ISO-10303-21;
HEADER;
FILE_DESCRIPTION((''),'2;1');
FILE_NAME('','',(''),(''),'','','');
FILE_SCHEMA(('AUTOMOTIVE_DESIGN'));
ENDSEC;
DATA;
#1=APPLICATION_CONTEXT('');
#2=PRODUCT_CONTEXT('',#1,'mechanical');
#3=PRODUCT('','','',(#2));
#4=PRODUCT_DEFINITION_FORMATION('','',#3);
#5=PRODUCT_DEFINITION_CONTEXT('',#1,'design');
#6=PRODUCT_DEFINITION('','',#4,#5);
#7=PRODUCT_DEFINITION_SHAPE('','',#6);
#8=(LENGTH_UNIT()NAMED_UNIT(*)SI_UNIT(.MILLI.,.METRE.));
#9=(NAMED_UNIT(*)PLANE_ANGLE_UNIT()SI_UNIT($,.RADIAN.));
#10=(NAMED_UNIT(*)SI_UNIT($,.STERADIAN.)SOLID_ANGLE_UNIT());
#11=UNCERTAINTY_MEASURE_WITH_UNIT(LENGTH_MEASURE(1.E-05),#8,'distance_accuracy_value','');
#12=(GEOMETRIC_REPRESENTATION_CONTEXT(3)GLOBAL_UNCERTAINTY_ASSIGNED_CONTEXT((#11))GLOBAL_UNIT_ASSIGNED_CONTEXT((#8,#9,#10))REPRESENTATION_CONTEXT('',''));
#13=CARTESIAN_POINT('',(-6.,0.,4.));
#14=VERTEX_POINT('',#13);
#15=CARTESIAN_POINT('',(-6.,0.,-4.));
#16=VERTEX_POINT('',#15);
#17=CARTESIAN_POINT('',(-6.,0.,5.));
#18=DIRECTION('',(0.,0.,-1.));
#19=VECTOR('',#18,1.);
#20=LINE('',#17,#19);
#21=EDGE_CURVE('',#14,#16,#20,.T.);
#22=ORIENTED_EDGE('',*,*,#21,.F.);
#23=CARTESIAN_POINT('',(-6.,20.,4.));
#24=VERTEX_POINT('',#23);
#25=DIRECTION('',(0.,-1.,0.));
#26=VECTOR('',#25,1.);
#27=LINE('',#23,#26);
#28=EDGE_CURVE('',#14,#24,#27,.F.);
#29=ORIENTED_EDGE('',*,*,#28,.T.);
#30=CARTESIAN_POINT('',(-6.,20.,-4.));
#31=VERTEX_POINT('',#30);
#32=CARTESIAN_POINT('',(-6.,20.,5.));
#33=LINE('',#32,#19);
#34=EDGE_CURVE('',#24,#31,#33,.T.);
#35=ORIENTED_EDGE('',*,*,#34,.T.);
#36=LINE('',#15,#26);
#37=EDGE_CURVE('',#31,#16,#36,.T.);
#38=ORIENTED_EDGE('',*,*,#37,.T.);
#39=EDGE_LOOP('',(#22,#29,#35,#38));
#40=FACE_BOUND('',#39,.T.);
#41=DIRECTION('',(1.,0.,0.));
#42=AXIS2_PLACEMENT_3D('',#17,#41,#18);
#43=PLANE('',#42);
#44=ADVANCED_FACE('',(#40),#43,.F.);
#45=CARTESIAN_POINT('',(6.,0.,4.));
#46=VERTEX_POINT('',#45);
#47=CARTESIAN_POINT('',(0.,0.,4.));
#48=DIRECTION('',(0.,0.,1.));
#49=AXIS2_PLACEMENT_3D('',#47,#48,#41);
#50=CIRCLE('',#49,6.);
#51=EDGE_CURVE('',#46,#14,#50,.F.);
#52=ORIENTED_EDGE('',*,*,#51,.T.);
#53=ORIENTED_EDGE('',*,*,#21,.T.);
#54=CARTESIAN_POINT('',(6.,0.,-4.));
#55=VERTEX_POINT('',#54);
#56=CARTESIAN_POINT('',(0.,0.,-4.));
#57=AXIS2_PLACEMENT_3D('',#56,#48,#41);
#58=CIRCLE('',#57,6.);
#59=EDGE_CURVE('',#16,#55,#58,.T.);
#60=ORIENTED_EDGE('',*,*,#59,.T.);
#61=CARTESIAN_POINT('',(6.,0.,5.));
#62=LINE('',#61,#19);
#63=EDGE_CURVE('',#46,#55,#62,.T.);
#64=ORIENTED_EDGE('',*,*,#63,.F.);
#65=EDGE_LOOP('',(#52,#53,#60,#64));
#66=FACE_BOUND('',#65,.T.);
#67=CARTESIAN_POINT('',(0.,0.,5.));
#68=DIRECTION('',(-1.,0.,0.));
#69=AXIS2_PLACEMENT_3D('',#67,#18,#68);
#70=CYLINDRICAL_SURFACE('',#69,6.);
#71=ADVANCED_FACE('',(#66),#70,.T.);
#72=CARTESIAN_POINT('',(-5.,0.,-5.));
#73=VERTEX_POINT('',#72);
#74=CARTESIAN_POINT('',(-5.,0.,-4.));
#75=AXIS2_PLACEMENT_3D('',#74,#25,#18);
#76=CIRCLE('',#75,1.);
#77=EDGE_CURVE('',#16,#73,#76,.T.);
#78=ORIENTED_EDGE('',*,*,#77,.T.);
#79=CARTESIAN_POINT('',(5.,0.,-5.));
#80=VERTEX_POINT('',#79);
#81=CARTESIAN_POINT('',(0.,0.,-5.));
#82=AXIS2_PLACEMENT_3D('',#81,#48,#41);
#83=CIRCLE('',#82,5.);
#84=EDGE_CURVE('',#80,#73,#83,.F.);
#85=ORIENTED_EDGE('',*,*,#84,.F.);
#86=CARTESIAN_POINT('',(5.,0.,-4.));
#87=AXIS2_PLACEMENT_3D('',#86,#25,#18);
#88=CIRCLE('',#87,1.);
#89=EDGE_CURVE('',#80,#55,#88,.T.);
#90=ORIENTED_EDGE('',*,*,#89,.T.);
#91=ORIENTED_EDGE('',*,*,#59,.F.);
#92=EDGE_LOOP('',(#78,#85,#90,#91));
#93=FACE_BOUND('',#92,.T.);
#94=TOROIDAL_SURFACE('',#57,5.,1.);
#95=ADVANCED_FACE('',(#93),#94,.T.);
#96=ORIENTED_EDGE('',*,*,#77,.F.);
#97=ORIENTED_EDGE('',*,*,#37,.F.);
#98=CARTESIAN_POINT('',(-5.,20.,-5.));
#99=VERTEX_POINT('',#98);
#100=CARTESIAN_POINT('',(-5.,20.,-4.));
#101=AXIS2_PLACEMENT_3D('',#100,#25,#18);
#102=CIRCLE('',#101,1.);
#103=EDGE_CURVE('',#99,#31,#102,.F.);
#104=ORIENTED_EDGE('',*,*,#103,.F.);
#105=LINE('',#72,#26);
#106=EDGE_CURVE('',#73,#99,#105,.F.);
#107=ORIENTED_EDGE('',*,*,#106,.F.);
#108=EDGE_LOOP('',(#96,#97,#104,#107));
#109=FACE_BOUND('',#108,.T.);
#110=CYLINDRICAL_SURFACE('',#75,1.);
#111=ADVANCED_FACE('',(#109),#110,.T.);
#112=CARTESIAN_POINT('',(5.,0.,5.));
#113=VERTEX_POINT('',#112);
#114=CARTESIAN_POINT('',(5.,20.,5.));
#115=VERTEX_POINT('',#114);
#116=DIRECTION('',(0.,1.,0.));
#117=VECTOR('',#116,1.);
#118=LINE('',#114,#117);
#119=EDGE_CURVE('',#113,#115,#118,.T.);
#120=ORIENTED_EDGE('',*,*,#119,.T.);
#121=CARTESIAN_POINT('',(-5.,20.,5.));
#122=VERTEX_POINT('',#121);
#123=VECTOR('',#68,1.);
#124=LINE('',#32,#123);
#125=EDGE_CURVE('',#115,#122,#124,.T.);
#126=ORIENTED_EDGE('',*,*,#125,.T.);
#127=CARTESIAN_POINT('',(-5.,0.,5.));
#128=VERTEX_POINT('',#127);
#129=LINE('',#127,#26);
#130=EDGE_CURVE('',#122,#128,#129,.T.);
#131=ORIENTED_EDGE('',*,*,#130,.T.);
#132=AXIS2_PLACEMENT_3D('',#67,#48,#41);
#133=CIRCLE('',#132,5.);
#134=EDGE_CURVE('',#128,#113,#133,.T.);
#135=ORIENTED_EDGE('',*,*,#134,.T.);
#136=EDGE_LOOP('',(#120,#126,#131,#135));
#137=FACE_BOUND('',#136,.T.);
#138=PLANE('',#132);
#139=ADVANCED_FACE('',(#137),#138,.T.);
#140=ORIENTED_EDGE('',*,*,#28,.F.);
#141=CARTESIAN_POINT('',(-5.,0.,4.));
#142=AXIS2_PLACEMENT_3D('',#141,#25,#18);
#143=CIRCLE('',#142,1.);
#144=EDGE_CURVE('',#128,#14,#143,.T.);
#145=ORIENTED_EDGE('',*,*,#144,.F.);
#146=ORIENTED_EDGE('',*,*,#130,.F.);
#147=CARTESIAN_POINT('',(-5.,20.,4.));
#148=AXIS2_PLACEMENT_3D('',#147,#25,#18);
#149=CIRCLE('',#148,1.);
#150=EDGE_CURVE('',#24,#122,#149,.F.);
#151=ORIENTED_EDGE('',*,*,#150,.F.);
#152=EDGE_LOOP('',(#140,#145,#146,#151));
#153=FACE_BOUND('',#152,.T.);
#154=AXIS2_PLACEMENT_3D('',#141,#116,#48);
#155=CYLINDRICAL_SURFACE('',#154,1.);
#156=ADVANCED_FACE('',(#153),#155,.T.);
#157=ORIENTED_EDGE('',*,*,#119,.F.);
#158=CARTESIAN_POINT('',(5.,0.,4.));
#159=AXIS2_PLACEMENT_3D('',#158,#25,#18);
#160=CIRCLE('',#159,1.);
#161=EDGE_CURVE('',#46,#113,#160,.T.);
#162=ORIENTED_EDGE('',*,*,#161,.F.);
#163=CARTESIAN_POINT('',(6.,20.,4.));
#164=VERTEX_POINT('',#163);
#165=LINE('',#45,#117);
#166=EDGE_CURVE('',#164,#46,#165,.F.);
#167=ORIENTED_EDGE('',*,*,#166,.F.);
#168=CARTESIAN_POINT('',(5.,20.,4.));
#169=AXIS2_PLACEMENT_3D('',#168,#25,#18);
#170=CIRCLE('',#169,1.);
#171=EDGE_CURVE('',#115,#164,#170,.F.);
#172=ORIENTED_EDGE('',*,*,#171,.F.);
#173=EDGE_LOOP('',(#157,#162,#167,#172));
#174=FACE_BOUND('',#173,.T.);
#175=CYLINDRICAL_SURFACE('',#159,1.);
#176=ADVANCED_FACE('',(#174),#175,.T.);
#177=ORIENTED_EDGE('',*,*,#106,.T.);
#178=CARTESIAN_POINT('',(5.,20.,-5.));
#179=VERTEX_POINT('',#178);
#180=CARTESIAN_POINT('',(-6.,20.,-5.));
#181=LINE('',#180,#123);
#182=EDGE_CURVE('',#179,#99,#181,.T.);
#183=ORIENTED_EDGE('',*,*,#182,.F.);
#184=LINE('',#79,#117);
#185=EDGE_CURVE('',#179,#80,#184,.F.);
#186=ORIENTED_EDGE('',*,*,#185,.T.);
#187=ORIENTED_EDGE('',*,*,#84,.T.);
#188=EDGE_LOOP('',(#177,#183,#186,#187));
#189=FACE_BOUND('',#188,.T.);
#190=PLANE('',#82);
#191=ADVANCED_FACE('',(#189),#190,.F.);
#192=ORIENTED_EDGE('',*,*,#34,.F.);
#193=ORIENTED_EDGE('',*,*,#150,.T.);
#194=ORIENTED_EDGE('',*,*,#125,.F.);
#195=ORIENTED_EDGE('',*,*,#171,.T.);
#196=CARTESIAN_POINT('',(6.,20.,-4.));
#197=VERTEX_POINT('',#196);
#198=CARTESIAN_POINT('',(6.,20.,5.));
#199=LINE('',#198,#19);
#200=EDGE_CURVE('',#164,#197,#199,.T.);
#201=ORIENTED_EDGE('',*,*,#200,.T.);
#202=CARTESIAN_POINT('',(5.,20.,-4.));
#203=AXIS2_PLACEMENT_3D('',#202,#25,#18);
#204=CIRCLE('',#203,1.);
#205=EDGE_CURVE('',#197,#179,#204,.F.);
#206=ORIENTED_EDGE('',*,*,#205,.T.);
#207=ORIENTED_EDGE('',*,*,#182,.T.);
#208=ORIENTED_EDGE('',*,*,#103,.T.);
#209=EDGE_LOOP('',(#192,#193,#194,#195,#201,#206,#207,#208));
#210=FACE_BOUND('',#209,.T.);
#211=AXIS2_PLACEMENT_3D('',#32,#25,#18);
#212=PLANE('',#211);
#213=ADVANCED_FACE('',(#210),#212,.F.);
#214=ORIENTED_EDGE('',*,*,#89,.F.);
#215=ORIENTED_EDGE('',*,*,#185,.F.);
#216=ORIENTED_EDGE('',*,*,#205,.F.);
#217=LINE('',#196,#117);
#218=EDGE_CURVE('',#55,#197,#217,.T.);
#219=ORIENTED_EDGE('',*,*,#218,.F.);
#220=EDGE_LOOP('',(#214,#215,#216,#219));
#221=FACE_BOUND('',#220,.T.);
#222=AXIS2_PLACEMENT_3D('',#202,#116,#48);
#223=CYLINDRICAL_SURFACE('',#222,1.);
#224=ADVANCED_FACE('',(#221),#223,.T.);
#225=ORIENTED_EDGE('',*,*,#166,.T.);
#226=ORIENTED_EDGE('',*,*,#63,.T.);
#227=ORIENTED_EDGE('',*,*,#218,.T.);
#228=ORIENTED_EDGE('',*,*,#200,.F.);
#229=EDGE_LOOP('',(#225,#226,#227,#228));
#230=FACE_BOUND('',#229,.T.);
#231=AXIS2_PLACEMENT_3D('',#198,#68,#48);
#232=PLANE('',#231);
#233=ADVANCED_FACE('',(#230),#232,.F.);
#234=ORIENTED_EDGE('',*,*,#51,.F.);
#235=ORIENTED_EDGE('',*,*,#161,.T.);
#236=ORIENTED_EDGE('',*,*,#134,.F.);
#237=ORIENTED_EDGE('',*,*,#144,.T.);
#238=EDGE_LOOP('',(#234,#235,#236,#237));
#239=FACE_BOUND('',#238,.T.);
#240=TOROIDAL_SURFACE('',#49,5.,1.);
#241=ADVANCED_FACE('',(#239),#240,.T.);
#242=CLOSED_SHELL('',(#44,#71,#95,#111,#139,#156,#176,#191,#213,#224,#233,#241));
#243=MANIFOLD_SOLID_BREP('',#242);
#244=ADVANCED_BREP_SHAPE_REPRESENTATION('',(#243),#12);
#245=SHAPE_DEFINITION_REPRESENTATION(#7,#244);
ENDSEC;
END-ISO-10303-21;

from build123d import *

# Parameters (mm, degrees)
BOSS_EXTRUDE1_DEPTH = 5
FILLET1_R           = 1


with BuildPart() as part:
    # Sketch2 → Boss-Extrude1 (new, symmetric)
    with BuildSketch(Plane.XY):
        with BuildLine():
            Line((-6, 0), (-6, 20))
            Line((-6, 20), (6, 20))
            Line((6, 20), (6, 0))
            ThreePointArc((6, 0), (0, -6), (-6, 0))
        make_face()
    extrude(amount=BOSS_EXTRUDE1_DEPTH, both=True)

    # Fillet1
    fillet1_edges = [part.edges().sort_by_distance(p)[0] for p in [
        (-6, 10, 5),
        (0, -6, 5),
        (-6, 10, -5),
        (6, 10, -5),
        (0, -6, -5),
        (6, 10, 5),
    ]]
    fillet(fillet1_edges, radius=FILLET1_R)


solid = part.part
